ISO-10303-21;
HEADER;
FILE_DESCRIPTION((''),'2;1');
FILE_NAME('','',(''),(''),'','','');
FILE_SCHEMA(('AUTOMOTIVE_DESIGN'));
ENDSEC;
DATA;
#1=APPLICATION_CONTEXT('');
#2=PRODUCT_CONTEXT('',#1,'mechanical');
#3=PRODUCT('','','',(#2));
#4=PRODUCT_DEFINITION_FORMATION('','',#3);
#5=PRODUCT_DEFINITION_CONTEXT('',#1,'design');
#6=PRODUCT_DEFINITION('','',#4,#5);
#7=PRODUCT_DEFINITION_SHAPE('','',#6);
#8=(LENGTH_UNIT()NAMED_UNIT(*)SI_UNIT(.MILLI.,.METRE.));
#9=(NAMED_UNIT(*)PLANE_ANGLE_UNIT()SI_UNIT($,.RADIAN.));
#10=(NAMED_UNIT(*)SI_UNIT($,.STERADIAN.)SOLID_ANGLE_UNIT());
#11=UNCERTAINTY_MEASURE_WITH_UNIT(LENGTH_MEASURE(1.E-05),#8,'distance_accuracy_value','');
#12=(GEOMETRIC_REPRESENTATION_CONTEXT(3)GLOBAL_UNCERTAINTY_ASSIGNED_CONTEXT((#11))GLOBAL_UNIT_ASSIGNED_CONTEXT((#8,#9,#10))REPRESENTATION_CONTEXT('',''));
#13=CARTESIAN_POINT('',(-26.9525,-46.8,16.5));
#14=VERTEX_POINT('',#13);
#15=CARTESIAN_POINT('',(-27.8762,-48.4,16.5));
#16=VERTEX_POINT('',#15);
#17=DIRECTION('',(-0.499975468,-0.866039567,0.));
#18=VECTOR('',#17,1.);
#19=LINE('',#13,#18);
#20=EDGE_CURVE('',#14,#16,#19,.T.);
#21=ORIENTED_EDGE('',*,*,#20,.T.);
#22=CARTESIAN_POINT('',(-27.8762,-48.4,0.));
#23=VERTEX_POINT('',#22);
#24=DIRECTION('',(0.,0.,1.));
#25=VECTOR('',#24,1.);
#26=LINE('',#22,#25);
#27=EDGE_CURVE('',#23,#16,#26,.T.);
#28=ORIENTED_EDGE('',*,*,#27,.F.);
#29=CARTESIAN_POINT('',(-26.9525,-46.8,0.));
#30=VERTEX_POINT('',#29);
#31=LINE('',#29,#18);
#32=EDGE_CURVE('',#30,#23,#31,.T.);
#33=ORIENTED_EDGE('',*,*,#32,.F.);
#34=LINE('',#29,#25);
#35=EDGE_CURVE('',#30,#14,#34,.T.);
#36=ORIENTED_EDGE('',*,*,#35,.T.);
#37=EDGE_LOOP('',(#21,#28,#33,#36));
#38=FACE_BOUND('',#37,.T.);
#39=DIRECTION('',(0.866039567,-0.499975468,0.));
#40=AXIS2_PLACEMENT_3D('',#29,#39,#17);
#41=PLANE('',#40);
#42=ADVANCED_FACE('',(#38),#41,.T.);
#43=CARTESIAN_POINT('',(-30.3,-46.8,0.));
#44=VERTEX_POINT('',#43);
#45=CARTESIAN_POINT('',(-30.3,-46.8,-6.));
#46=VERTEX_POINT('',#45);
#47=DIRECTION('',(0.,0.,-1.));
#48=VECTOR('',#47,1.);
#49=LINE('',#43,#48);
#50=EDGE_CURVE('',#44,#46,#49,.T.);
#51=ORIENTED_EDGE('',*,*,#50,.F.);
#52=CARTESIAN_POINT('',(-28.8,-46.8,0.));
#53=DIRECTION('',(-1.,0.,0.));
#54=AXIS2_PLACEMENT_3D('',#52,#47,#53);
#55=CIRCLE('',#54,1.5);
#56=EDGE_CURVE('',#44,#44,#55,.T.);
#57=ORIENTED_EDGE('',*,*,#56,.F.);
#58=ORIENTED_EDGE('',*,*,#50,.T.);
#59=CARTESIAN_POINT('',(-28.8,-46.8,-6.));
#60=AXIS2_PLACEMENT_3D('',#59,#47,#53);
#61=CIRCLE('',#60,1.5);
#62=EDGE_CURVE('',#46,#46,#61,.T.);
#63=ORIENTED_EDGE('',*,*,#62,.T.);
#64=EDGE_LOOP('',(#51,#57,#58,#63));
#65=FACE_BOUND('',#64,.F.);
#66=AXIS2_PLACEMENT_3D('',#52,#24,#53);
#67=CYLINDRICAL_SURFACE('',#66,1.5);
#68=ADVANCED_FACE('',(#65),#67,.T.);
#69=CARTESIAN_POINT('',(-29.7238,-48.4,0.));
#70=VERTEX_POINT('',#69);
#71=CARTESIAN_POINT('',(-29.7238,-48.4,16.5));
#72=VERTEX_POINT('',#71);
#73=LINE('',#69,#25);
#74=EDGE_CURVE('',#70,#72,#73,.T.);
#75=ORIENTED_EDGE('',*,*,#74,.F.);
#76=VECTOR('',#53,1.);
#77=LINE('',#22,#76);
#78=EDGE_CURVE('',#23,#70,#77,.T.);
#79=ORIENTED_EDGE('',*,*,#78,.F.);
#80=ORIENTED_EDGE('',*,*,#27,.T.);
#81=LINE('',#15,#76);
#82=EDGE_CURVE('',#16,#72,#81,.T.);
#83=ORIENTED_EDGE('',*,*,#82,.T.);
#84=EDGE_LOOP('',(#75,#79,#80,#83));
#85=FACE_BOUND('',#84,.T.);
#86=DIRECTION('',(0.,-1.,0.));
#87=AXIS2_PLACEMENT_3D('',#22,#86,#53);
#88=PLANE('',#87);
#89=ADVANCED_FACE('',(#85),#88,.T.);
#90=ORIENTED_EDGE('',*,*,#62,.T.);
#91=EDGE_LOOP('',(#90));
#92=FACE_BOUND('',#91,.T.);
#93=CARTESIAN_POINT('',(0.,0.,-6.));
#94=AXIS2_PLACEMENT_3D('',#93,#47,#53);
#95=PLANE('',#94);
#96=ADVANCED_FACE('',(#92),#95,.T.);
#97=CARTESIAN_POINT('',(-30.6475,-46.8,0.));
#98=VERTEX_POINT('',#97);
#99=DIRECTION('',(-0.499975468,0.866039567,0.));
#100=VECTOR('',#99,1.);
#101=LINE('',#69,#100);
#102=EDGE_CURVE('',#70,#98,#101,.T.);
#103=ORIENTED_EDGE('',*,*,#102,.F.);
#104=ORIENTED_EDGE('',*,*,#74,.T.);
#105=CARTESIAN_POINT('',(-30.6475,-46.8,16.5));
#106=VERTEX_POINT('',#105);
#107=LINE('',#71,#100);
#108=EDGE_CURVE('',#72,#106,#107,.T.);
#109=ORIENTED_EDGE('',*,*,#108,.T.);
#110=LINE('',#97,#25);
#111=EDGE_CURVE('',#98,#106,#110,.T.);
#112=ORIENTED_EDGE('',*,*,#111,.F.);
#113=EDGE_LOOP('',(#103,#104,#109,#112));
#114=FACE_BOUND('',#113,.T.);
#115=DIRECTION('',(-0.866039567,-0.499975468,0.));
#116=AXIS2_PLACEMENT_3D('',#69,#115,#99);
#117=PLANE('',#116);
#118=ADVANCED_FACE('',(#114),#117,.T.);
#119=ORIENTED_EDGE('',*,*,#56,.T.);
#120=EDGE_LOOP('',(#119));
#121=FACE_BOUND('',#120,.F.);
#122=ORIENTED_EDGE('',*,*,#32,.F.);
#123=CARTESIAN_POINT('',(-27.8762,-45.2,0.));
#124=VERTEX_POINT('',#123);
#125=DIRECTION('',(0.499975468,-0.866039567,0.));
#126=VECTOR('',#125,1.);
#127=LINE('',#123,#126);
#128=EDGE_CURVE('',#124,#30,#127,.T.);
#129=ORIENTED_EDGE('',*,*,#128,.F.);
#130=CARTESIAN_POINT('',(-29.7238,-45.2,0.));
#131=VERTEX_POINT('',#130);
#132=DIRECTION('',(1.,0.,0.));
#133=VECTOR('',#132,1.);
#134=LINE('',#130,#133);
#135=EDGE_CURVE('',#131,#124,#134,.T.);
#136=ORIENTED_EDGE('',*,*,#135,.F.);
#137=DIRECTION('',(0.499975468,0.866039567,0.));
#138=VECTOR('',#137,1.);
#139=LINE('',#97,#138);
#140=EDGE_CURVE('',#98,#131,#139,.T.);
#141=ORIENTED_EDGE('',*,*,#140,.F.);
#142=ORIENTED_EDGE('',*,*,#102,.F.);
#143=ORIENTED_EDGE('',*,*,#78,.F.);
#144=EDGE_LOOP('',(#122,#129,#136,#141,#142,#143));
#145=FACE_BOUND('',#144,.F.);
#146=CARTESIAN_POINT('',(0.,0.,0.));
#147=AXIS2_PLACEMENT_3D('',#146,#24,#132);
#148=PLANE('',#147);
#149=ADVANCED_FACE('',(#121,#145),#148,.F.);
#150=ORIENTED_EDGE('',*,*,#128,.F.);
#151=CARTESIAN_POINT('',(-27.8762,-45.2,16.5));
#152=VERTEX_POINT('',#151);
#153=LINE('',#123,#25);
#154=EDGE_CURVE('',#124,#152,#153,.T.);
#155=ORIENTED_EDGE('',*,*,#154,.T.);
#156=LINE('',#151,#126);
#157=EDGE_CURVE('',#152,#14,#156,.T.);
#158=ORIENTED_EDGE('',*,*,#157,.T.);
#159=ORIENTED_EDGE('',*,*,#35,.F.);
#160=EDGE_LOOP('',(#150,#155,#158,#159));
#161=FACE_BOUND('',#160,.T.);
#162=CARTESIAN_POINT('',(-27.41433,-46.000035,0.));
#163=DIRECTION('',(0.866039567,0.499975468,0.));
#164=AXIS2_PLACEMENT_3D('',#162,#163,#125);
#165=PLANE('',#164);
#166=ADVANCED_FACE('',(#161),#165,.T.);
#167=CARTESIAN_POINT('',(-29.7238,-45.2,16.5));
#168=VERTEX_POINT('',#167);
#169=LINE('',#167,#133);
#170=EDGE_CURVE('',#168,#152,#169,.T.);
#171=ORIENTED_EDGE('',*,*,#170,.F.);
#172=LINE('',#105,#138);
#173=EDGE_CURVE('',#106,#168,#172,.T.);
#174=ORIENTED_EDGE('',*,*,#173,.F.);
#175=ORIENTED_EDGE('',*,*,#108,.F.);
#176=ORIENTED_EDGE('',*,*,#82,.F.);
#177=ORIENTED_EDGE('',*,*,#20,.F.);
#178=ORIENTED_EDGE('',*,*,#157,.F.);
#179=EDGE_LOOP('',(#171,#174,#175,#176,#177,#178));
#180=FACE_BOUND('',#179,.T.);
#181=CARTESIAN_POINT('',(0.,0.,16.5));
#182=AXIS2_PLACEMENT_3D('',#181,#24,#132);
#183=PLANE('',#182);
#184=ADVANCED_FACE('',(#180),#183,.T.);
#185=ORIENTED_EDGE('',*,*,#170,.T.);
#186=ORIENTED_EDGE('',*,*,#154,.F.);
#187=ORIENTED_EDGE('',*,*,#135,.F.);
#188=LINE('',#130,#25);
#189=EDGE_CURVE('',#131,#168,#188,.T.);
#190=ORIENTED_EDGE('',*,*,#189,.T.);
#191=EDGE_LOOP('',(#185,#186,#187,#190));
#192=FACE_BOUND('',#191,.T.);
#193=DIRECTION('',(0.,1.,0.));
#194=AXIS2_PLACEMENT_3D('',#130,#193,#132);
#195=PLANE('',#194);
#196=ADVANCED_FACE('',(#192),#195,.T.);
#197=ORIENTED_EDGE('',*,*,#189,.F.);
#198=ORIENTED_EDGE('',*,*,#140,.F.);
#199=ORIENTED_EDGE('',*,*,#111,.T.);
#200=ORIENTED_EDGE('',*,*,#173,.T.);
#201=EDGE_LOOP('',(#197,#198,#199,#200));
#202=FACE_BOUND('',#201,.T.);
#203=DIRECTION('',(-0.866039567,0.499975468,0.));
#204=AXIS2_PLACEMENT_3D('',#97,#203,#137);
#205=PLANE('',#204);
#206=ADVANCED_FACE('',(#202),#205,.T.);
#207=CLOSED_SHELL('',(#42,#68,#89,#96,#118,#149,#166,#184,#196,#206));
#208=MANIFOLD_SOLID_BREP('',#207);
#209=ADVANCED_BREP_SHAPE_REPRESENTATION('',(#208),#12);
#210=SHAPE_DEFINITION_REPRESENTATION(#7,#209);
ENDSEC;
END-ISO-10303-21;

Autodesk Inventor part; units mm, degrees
ref_plane "YZ Plane" through (0, 0, 0) normal (1, 0, 0) x (0, 1, 0)
ref_plane "XZ Plane" through (0, 0, 0) normal (0, 1, 0) x (-1, 0, 0)
ref_plane "XY Plane" through (0, 0, 0) normal (0, 0, 1) x (1, 0, 0)
ref_plane "Work Plane1" through (0, 0, 0) normal (0, 0, 1) x (1, 0, 0)
sketch "Sketch1" plane through (0, 0, 0) normal (0, 0, 1) x (1, 0, 0)
  circle A0 centre (-28.8, -46.8) radius 1.6 projected
  line L0 (-27.8762, -45.2) -> (-26.9525, -46.8)
  line L1 (-26.9525, -46.8) -> (-27.8762, -48.4)
  line L2 (-27.8762, -48.4) -> (-29.7238, -48.4)
  line L3 (-29.7238, -48.4) -> (-30.6475, -46.8)
  line L4 (-30.6475, -46.8) -> (-29.7238, -45.2)
  line L5 (-29.7238, -45.2) -> (-27.8762, -45.2)
  point P0 (0, 0)
  point P1 (-28.8, -45.2)
extrude "Extrusion1" add sketch "Sketch1" along normal blind 16.5
sketch "Sketch2" plane through (0, 0, 0) normal (0, 0, -1) x (-1, 0, 0)
  circle A0 centre (28.8, -46.8) radius 1.5
  point P0 (0, 0)
  dimension "d2" = 3
extrude "Extrusion2" add sketch "Sketch2" along normal blind 6
properties part number "nanopc_t4_spacer_long" material "Brass, Soft Yellow"
